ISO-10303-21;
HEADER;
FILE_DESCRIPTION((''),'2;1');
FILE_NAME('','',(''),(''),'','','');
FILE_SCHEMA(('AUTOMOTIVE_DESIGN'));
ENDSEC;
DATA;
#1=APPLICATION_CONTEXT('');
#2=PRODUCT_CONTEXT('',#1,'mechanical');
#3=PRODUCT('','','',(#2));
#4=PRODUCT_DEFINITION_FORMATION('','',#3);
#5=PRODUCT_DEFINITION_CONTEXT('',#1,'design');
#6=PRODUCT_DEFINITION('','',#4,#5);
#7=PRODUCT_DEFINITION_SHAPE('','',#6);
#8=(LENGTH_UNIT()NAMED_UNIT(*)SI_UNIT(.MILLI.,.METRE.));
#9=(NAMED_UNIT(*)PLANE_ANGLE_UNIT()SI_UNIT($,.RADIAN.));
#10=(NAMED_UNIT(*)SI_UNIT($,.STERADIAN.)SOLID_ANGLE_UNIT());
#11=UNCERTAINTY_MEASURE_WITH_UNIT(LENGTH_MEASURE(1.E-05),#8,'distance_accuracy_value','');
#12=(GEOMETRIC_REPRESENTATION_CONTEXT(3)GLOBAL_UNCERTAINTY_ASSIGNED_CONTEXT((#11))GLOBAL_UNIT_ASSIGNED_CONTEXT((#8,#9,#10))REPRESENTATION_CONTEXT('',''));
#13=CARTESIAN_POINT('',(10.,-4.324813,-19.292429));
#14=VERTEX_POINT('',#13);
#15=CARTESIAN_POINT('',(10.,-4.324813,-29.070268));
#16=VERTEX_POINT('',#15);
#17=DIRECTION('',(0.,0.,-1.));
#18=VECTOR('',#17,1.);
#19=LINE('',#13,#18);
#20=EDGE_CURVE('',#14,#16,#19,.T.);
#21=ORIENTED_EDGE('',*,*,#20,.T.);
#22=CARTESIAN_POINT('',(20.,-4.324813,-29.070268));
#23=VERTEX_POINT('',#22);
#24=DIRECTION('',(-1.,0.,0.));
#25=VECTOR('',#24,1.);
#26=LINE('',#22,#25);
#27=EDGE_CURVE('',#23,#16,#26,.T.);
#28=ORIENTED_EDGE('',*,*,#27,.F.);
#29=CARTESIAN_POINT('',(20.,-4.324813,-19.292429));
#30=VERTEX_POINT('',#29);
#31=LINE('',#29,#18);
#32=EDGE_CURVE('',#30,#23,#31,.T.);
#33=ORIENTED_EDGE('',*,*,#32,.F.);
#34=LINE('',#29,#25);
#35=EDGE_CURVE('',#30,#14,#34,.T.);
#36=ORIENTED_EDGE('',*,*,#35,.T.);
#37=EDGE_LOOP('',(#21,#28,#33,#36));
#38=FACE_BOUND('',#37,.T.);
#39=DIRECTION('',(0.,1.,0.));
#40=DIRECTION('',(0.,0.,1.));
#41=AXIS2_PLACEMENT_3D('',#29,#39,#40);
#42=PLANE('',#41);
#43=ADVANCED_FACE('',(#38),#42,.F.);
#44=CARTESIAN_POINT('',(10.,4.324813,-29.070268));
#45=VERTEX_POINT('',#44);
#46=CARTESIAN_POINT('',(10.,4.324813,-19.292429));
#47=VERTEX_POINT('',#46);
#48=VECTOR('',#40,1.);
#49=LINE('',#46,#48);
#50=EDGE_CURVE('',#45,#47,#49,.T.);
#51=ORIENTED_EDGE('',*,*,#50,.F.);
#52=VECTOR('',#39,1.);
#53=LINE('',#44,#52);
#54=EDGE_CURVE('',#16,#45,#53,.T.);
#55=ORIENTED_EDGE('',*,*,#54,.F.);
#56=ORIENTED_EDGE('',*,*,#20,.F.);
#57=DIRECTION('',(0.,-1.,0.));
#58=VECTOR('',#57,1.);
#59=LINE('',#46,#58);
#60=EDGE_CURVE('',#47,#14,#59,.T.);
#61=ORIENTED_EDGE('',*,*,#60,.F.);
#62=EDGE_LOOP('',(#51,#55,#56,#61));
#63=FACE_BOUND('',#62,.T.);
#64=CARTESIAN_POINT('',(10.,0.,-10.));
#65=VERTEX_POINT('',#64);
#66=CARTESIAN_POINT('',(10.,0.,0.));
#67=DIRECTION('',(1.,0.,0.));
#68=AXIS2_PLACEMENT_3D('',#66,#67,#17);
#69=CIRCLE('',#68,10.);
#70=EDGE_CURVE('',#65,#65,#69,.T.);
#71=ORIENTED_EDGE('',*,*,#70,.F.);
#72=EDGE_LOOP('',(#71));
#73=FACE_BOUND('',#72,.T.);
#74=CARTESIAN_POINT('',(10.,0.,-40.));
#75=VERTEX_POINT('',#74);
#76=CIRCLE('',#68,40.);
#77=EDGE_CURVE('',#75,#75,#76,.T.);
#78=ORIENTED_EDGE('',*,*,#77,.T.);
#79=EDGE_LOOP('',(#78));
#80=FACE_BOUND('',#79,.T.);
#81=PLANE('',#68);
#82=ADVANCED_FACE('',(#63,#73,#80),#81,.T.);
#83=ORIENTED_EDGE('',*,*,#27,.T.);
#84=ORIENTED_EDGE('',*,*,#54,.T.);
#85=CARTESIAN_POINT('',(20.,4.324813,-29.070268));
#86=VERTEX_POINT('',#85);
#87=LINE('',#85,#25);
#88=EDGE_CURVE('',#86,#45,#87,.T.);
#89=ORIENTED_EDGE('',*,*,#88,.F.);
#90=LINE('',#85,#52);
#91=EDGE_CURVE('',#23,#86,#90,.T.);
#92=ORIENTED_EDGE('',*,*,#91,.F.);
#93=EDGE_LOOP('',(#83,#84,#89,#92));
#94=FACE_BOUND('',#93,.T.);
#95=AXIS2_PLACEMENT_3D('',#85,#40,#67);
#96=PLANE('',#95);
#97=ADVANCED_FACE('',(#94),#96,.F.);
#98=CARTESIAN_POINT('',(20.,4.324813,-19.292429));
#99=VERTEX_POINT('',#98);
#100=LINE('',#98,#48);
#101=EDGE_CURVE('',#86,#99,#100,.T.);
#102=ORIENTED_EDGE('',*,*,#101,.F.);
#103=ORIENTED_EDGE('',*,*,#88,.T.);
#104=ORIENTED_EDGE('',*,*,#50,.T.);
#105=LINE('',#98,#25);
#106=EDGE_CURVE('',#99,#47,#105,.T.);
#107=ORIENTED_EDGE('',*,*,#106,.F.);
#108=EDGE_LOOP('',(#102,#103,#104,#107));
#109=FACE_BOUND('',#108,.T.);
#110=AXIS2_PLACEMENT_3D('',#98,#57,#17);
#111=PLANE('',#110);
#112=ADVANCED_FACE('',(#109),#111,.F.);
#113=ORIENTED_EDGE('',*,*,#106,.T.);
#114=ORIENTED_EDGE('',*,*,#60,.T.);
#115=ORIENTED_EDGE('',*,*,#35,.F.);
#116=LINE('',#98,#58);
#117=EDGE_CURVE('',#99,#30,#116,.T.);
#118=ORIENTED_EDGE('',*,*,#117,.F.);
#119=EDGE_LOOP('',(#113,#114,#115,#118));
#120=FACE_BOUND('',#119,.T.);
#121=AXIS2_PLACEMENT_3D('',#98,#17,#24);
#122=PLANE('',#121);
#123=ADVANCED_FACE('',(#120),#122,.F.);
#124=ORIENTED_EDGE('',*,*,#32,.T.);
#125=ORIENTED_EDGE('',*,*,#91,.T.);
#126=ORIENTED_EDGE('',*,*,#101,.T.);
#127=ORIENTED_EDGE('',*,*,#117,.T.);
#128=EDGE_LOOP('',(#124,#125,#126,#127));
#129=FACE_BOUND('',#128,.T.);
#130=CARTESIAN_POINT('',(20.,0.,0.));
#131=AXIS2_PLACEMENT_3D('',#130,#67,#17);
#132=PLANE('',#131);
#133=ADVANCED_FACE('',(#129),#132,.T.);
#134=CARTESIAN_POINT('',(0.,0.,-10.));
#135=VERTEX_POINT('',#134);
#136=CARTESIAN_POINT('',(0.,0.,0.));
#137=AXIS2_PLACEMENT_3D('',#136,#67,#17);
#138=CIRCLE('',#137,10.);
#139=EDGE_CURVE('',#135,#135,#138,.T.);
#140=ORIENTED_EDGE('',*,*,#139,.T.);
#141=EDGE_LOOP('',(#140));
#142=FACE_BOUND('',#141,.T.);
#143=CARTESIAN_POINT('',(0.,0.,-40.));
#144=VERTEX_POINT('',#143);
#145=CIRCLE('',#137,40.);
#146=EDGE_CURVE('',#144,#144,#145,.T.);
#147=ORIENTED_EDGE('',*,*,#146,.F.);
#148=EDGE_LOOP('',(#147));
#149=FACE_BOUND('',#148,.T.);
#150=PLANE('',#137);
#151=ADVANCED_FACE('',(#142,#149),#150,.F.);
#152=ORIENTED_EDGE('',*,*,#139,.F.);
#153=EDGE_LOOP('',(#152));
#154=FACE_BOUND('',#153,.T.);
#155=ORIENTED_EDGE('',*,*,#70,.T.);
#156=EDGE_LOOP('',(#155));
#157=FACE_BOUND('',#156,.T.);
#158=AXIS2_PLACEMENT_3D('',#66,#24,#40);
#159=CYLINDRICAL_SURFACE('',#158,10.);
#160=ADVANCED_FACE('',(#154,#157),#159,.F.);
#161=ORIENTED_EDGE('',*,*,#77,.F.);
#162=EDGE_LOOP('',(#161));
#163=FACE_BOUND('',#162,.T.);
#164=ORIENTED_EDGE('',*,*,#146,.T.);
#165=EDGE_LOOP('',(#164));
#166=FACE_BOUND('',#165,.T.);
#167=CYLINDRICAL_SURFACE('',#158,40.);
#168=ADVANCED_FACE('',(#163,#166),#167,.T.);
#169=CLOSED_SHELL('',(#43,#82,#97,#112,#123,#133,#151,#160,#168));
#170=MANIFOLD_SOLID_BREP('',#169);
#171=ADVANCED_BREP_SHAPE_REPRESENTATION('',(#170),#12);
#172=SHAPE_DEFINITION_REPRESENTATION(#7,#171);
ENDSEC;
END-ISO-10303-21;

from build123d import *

# Parameters (mm, degrees)
SKETCH_1_R      = 40
SKETCH_1_R_2    = 10
EXTRUDE_1_DEPTH = 10
SKETCH_2_W      = 9.777839157
SKETCH_2_H      = 8.649626946
EXTRUDE_2_DEPTH = 10


with BuildPart() as part:
    # 草图1 → 凸台-拉伸1 (new body)
    with BuildSketch(Plane(origin=(0, 0, 0), x_dir=(0, 0, -1), z_dir=(1, 0, 0))):
        Circle(SKETCH_1_R)
        Circle(SKETCH_1_R_2, mode=Mode.SUBTRACT)
    extrude(amount=EXTRUDE_1_DEPTH)

    # 草图2 → 凸台-拉伸2 (add)
    with BuildSketch(Plane(origin=(10, 0, 0), x_dir=(0, 0, -1), z_dir=(1, 0, 0))):
        with Locations((24.181348377, 0)):
            Rectangle(SKETCH_2_W, SKETCH_2_H)
    extrude(amount=EXTRUDE_2_DEPTH)


solid = part.part
